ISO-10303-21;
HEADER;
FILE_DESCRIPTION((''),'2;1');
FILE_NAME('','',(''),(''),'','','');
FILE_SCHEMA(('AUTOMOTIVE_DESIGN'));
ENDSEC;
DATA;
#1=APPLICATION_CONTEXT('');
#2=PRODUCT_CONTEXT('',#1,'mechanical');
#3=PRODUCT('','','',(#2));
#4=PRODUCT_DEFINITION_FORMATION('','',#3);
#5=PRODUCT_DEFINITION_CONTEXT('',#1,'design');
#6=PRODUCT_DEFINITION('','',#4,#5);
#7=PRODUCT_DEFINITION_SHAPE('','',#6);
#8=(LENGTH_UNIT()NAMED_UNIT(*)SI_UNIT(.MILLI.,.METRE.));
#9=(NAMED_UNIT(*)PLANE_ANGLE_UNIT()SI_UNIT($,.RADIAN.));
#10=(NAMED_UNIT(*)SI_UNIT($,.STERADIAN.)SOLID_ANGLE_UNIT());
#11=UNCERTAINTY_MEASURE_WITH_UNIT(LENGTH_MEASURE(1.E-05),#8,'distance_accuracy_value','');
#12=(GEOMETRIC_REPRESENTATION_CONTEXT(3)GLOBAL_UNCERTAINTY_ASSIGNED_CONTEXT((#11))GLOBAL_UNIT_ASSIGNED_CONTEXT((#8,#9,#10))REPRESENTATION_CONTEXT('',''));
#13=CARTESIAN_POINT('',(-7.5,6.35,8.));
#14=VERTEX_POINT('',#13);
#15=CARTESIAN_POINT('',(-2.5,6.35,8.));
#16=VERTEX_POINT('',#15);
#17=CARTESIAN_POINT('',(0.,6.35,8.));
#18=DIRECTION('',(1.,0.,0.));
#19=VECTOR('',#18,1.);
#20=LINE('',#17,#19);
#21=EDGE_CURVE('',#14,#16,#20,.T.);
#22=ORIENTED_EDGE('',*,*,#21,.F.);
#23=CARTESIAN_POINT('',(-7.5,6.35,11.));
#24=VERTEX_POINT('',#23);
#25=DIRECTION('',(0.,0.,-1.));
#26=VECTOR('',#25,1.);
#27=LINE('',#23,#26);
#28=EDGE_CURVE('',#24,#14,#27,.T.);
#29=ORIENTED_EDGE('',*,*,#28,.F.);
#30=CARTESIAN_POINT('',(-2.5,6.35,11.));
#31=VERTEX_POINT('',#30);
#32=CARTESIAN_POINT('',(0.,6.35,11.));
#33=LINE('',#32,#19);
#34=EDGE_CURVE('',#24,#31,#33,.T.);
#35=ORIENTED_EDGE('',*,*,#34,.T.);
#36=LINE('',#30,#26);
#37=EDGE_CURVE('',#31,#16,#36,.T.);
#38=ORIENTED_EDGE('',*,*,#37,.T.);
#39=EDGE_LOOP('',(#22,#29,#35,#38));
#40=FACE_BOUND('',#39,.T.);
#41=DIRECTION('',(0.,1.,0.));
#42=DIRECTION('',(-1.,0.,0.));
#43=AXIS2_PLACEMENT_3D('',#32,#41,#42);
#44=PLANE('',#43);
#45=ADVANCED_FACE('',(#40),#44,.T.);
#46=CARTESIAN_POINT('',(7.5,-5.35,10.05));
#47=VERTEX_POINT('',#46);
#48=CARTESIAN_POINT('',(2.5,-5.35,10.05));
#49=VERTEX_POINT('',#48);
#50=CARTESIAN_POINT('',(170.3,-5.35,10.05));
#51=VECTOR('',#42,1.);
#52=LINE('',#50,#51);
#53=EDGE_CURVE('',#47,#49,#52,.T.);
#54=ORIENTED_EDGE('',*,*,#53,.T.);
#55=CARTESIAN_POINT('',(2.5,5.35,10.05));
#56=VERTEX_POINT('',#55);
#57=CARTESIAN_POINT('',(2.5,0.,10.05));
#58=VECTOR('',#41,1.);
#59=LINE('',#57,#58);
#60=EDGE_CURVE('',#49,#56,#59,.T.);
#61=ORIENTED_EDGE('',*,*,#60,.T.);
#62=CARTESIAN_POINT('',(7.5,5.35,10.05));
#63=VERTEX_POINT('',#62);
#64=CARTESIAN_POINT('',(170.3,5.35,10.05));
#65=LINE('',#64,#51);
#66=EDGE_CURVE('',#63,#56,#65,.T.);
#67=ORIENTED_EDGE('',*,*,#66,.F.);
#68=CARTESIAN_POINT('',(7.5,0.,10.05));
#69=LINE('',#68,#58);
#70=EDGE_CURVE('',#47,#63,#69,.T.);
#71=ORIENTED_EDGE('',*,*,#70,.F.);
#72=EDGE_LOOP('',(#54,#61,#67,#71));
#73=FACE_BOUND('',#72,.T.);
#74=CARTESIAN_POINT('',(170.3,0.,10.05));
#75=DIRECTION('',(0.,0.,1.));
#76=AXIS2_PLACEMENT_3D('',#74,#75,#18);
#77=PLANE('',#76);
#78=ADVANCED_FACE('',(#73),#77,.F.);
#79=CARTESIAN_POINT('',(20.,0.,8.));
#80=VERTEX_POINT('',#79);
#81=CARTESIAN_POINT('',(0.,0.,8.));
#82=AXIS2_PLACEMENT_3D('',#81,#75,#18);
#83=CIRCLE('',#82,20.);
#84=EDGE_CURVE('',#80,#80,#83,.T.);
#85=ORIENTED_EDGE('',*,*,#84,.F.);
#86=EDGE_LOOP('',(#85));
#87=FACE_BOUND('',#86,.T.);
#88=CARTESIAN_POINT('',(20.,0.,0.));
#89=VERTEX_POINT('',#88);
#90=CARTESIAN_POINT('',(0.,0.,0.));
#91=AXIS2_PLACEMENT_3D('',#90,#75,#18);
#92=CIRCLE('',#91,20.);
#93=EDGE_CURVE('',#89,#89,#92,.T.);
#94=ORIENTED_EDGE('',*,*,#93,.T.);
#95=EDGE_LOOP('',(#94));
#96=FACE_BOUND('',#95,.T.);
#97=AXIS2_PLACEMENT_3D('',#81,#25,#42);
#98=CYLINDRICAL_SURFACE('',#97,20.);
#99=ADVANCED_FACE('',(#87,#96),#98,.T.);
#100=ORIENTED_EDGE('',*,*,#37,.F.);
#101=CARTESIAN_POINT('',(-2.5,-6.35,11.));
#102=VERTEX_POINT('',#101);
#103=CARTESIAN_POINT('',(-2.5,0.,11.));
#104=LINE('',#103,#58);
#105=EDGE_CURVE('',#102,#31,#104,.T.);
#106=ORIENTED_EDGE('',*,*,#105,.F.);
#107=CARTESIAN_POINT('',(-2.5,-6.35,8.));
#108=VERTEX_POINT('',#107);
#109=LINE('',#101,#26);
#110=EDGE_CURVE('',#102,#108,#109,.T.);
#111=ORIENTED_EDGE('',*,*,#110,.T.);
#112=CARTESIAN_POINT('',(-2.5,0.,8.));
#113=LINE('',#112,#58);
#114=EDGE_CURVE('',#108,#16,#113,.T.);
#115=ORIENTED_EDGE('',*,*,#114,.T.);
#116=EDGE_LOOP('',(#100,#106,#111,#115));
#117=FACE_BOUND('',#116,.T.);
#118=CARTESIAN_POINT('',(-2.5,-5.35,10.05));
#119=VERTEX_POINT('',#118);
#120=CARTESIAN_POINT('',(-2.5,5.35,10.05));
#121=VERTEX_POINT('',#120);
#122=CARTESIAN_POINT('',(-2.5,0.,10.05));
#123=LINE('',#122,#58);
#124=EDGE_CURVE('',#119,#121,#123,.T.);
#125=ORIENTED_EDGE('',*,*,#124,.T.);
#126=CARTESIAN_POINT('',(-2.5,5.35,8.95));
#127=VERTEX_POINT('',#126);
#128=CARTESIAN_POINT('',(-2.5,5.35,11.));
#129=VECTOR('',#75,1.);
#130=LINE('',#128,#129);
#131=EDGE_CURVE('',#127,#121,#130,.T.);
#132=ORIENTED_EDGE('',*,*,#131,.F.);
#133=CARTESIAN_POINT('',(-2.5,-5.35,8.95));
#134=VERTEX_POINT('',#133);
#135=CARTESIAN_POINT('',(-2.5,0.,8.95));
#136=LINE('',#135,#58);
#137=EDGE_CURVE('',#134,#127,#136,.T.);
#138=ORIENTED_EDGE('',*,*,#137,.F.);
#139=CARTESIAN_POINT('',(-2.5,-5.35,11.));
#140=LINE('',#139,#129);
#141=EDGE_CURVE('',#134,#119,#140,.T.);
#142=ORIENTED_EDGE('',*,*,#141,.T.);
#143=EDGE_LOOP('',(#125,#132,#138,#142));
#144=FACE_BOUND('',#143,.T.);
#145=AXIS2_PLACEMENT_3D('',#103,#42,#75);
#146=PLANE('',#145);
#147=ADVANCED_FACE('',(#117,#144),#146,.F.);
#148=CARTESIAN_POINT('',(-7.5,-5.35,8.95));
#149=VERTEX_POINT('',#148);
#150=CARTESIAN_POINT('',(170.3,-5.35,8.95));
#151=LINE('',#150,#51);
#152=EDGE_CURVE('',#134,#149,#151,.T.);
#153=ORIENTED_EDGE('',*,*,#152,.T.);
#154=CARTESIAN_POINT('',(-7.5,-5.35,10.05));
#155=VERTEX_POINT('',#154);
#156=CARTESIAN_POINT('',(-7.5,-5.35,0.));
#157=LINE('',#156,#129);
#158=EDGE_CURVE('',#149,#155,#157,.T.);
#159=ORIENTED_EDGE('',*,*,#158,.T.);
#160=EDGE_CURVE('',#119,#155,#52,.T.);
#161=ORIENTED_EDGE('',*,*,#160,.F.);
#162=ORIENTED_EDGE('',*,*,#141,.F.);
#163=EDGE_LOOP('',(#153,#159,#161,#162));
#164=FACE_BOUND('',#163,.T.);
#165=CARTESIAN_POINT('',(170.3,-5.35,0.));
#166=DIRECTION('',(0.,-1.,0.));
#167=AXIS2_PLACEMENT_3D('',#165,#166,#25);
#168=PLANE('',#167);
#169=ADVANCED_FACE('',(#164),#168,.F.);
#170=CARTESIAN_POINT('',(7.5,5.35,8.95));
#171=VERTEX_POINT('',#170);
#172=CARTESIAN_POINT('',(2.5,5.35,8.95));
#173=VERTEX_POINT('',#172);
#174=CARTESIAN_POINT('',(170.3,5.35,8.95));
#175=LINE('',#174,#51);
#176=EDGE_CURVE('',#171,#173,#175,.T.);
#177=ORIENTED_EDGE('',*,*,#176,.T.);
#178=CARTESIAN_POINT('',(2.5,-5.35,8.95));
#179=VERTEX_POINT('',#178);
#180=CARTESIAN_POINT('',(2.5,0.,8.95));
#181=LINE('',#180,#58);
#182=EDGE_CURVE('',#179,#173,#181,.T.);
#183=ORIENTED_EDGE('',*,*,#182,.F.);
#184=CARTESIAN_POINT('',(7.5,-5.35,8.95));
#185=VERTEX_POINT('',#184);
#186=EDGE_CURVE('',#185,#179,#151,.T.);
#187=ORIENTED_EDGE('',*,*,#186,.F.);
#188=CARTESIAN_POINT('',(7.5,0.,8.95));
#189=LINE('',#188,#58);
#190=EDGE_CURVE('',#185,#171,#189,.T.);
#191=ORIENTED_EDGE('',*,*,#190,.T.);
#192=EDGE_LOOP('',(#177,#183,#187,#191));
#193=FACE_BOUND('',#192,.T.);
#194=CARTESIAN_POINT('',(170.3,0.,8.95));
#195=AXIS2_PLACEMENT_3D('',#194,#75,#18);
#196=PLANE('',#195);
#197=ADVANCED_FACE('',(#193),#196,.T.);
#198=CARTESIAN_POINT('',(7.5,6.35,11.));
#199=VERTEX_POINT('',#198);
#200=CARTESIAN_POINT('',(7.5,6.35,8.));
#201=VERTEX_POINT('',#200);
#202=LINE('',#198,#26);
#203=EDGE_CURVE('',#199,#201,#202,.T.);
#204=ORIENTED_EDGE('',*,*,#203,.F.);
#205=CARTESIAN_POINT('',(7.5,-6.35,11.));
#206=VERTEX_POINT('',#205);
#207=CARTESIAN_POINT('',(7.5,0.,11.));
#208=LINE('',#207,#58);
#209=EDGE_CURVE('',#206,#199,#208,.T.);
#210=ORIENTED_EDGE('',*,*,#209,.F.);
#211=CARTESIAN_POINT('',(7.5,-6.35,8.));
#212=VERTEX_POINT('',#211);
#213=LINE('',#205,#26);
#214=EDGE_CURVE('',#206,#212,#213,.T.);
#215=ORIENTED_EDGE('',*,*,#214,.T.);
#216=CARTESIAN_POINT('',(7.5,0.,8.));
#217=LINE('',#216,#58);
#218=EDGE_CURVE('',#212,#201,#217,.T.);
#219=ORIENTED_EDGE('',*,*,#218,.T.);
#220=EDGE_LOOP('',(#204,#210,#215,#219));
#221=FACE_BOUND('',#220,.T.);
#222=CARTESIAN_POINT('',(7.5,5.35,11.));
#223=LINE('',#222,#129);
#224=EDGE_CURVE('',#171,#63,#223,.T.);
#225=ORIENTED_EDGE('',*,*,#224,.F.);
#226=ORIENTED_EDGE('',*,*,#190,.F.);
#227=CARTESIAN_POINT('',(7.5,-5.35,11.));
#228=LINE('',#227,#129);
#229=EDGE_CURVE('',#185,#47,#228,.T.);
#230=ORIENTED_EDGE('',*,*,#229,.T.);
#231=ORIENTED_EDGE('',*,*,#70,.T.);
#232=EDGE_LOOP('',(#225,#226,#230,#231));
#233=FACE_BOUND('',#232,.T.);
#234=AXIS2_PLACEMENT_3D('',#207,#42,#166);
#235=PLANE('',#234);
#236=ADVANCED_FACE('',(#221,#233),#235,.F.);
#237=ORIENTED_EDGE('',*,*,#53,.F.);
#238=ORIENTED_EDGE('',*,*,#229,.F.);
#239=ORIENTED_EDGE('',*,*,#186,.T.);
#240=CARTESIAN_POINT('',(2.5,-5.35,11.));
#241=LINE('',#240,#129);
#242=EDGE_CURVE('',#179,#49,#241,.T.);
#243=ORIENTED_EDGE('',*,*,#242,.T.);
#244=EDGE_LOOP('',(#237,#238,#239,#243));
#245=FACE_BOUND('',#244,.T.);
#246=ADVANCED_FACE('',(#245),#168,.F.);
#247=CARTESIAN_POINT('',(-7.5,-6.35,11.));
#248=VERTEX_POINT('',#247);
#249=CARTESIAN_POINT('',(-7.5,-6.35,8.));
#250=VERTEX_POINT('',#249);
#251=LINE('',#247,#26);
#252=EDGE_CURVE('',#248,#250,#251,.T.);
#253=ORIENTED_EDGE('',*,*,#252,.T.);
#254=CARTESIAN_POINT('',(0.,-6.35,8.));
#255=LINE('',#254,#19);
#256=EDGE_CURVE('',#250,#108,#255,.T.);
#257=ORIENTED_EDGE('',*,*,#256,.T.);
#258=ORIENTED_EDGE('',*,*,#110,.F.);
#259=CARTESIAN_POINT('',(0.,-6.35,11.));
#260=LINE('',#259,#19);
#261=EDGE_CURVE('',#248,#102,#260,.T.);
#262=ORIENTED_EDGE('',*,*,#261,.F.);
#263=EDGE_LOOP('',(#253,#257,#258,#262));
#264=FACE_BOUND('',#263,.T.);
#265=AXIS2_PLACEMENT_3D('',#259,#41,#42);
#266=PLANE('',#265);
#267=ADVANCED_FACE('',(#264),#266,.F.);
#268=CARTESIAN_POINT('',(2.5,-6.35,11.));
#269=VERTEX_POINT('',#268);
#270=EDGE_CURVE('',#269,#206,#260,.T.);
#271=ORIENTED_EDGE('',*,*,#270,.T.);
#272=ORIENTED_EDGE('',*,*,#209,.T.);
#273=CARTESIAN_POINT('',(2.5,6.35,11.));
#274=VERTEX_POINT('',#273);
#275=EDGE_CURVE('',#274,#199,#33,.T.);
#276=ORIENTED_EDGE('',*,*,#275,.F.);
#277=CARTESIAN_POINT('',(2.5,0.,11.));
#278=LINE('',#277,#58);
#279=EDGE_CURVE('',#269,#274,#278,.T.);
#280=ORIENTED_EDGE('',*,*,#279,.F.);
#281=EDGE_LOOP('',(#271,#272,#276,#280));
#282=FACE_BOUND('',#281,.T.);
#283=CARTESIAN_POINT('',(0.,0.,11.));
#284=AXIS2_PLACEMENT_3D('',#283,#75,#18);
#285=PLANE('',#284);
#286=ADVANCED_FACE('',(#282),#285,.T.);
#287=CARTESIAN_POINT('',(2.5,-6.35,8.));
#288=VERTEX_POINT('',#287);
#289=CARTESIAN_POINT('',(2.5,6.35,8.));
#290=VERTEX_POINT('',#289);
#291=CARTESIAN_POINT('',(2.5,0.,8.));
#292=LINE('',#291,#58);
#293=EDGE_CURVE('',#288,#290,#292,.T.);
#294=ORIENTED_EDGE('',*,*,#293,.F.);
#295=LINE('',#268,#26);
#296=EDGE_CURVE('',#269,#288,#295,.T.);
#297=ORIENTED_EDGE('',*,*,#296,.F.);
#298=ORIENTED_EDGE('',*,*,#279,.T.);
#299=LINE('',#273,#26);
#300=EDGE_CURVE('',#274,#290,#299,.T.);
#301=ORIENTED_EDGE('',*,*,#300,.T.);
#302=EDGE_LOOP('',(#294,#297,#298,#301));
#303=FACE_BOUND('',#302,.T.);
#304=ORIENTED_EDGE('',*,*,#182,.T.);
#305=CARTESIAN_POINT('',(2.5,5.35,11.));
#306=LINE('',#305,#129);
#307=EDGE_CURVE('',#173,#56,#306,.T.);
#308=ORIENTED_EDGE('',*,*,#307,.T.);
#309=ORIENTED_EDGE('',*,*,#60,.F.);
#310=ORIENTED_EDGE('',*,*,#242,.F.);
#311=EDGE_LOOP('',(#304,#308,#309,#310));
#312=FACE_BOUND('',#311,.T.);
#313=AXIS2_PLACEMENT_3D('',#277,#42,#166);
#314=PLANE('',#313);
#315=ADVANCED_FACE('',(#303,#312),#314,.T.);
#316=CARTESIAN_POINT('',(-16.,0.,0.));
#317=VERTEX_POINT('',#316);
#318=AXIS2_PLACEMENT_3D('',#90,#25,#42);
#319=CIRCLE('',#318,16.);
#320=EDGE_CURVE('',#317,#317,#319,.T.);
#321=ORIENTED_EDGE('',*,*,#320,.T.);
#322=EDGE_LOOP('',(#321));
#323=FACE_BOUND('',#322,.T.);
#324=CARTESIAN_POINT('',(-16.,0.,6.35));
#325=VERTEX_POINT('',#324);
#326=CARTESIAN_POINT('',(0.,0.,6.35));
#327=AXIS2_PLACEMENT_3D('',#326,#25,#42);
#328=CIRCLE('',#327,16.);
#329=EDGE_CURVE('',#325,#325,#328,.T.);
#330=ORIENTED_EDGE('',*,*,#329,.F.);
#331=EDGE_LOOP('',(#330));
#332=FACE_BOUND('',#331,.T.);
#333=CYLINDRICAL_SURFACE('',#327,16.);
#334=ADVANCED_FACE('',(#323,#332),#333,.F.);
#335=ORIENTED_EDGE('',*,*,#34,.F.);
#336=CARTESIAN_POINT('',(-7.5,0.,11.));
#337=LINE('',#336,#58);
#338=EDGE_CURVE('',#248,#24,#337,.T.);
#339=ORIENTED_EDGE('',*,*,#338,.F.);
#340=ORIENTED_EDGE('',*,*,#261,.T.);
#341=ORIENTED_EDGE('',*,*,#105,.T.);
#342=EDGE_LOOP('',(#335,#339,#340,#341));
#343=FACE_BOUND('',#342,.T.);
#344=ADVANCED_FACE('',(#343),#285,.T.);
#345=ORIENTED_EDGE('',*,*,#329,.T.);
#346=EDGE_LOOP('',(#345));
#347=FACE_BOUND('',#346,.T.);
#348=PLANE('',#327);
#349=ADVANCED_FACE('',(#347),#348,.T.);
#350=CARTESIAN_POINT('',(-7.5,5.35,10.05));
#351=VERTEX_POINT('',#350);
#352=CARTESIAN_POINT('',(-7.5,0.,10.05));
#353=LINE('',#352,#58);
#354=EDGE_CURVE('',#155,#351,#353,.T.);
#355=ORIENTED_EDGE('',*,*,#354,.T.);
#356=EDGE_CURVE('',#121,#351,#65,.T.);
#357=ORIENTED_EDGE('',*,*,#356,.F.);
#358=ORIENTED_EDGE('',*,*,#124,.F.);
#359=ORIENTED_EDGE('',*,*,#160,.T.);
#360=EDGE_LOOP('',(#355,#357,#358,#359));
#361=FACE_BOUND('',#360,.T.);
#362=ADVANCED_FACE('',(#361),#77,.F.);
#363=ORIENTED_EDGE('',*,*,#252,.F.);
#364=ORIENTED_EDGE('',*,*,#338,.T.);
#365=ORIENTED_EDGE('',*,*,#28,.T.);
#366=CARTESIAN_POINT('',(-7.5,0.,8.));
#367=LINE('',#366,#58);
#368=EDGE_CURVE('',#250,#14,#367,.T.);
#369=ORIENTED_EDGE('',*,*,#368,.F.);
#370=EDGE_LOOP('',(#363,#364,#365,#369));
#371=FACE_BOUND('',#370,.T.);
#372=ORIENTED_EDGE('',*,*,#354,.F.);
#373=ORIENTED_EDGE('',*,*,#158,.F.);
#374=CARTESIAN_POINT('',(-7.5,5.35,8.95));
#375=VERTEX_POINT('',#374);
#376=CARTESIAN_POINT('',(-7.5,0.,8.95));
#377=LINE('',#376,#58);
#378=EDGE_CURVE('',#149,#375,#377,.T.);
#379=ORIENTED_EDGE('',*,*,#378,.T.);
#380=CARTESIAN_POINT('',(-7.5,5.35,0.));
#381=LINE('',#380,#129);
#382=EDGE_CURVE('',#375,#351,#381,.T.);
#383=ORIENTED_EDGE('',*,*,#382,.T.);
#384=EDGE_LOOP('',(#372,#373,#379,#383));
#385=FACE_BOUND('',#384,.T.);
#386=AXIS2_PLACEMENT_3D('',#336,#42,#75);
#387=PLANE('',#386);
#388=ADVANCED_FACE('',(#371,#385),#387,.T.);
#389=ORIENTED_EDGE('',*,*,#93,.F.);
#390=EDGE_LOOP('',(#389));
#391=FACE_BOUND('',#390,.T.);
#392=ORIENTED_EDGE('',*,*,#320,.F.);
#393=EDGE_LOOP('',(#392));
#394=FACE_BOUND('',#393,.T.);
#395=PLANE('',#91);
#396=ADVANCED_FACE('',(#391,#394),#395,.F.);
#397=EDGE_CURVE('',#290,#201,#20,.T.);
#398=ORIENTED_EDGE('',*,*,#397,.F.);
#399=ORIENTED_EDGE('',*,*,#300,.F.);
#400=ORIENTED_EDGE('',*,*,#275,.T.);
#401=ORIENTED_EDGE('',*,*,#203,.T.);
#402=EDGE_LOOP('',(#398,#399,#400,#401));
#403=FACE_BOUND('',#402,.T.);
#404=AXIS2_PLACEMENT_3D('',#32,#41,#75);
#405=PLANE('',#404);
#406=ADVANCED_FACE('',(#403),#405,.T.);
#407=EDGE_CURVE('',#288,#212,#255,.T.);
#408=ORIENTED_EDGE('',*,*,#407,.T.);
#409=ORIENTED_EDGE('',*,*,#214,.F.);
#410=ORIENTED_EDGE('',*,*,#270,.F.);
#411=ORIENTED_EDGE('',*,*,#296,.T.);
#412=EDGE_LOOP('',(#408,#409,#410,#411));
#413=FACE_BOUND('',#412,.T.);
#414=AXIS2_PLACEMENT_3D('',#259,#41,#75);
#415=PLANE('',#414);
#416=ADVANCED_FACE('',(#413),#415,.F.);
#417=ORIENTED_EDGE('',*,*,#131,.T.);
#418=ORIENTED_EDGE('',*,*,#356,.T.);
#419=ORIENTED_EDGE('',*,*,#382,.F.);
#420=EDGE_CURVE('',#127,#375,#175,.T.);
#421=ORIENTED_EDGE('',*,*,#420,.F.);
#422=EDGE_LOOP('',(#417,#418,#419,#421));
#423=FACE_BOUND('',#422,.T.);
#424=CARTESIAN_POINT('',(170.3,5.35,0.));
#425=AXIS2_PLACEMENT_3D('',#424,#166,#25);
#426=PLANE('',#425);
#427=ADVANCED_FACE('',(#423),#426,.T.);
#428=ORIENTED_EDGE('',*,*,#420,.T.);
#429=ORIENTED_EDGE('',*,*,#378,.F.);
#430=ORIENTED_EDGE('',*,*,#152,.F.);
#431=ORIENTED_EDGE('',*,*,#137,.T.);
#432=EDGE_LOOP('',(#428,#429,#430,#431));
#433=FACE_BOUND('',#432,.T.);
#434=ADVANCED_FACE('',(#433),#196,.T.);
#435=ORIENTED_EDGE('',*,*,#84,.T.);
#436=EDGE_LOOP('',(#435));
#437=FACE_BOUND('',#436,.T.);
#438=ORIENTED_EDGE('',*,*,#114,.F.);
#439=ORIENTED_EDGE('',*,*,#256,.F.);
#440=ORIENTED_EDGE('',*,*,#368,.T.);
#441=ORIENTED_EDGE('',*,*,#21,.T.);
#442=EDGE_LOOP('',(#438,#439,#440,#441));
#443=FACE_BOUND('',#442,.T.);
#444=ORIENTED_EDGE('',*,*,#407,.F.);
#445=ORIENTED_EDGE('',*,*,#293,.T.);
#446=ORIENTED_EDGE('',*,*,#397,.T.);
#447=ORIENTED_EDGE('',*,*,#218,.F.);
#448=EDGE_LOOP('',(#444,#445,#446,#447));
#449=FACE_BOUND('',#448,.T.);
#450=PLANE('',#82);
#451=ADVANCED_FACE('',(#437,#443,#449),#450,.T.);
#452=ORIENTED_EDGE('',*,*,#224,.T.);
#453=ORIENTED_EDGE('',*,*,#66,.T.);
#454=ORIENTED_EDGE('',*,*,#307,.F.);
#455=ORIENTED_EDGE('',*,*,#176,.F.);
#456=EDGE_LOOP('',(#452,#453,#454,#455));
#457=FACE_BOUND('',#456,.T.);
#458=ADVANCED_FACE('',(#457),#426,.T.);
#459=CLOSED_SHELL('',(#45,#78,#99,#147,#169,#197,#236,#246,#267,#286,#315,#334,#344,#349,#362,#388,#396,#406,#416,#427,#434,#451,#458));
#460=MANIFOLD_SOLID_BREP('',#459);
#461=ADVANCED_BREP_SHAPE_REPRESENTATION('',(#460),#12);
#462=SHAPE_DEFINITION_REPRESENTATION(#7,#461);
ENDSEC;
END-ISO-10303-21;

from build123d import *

# Parameters (mm, degrees)
SKETCH1_R           = 20
BOSS_EXTRUDE1_DEPTH = 8
SKETCH2_R           = 16
CUT_EXTRUDE1_DEPTH  = 6.35
SKETCH3_W           = 5
SKETCH3_H           = 6.35
BOSS_EXTRUDE2_DEPTH = 3
CUT_EXTRUDE2_DEPTH  = 177.8


with BuildPart() as part:
    # Sketch1 → Boss-Extrude1 (new body)
    with BuildSketch(Plane.XY):
        Circle(SKETCH1_R)
    extrude(amount=BOSS_EXTRUDE1_DEPTH)

    # Sketch2 → Cut-Extrude1 (cut)
    with BuildSketch(Plane(origin=(0, 0, 0), x_dir=(-1, 0, 0), z_dir=(0, 0, -1))):
        Circle(SKETCH2_R)
    extrude(amount=-CUT_EXTRUDE1_DEPTH, mode=Mode.SUBTRACT)

    # Sketch3 → Boss-Extrude2 (add)
    with BuildSketch(Plane.XY.offset(8)):
        with Locations((-5, -3.175)):
            Rectangle(SKETCH3_W, SKETCH3_H)
        with Locations((-5, 3.175)):
            Rectangle(SKETCH3_W, SKETCH3_H)
        with Locations((5, 3.175)):
            Rectangle(SKETCH3_W, SKETCH3_H)
        with Locations((5, -3.175)):
            Rectangle(SKETCH3_W, SKETCH3_H)
    extrude(amount=BOSS_EXTRUDE2_DEPTH)

    # Sketch6 → Cut-Extrude2 (cut)
    with BuildSketch(Plane.ZY.offset(7.5)):
        Polygon((10.05, -5.35), (10.05, -2.328333333), (8.95, 2.328333333), (8.95, -5.35), align=None)
        Polygon((8.95, 2.328333333), (10.05, -2.328333333), (10.05, 5.35), (8.95, 5.35), align=None)
    extrude(amount=-CUT_EXTRUDE2_DEPTH, mode=Mode.SUBTRACT)


solid = part.part
